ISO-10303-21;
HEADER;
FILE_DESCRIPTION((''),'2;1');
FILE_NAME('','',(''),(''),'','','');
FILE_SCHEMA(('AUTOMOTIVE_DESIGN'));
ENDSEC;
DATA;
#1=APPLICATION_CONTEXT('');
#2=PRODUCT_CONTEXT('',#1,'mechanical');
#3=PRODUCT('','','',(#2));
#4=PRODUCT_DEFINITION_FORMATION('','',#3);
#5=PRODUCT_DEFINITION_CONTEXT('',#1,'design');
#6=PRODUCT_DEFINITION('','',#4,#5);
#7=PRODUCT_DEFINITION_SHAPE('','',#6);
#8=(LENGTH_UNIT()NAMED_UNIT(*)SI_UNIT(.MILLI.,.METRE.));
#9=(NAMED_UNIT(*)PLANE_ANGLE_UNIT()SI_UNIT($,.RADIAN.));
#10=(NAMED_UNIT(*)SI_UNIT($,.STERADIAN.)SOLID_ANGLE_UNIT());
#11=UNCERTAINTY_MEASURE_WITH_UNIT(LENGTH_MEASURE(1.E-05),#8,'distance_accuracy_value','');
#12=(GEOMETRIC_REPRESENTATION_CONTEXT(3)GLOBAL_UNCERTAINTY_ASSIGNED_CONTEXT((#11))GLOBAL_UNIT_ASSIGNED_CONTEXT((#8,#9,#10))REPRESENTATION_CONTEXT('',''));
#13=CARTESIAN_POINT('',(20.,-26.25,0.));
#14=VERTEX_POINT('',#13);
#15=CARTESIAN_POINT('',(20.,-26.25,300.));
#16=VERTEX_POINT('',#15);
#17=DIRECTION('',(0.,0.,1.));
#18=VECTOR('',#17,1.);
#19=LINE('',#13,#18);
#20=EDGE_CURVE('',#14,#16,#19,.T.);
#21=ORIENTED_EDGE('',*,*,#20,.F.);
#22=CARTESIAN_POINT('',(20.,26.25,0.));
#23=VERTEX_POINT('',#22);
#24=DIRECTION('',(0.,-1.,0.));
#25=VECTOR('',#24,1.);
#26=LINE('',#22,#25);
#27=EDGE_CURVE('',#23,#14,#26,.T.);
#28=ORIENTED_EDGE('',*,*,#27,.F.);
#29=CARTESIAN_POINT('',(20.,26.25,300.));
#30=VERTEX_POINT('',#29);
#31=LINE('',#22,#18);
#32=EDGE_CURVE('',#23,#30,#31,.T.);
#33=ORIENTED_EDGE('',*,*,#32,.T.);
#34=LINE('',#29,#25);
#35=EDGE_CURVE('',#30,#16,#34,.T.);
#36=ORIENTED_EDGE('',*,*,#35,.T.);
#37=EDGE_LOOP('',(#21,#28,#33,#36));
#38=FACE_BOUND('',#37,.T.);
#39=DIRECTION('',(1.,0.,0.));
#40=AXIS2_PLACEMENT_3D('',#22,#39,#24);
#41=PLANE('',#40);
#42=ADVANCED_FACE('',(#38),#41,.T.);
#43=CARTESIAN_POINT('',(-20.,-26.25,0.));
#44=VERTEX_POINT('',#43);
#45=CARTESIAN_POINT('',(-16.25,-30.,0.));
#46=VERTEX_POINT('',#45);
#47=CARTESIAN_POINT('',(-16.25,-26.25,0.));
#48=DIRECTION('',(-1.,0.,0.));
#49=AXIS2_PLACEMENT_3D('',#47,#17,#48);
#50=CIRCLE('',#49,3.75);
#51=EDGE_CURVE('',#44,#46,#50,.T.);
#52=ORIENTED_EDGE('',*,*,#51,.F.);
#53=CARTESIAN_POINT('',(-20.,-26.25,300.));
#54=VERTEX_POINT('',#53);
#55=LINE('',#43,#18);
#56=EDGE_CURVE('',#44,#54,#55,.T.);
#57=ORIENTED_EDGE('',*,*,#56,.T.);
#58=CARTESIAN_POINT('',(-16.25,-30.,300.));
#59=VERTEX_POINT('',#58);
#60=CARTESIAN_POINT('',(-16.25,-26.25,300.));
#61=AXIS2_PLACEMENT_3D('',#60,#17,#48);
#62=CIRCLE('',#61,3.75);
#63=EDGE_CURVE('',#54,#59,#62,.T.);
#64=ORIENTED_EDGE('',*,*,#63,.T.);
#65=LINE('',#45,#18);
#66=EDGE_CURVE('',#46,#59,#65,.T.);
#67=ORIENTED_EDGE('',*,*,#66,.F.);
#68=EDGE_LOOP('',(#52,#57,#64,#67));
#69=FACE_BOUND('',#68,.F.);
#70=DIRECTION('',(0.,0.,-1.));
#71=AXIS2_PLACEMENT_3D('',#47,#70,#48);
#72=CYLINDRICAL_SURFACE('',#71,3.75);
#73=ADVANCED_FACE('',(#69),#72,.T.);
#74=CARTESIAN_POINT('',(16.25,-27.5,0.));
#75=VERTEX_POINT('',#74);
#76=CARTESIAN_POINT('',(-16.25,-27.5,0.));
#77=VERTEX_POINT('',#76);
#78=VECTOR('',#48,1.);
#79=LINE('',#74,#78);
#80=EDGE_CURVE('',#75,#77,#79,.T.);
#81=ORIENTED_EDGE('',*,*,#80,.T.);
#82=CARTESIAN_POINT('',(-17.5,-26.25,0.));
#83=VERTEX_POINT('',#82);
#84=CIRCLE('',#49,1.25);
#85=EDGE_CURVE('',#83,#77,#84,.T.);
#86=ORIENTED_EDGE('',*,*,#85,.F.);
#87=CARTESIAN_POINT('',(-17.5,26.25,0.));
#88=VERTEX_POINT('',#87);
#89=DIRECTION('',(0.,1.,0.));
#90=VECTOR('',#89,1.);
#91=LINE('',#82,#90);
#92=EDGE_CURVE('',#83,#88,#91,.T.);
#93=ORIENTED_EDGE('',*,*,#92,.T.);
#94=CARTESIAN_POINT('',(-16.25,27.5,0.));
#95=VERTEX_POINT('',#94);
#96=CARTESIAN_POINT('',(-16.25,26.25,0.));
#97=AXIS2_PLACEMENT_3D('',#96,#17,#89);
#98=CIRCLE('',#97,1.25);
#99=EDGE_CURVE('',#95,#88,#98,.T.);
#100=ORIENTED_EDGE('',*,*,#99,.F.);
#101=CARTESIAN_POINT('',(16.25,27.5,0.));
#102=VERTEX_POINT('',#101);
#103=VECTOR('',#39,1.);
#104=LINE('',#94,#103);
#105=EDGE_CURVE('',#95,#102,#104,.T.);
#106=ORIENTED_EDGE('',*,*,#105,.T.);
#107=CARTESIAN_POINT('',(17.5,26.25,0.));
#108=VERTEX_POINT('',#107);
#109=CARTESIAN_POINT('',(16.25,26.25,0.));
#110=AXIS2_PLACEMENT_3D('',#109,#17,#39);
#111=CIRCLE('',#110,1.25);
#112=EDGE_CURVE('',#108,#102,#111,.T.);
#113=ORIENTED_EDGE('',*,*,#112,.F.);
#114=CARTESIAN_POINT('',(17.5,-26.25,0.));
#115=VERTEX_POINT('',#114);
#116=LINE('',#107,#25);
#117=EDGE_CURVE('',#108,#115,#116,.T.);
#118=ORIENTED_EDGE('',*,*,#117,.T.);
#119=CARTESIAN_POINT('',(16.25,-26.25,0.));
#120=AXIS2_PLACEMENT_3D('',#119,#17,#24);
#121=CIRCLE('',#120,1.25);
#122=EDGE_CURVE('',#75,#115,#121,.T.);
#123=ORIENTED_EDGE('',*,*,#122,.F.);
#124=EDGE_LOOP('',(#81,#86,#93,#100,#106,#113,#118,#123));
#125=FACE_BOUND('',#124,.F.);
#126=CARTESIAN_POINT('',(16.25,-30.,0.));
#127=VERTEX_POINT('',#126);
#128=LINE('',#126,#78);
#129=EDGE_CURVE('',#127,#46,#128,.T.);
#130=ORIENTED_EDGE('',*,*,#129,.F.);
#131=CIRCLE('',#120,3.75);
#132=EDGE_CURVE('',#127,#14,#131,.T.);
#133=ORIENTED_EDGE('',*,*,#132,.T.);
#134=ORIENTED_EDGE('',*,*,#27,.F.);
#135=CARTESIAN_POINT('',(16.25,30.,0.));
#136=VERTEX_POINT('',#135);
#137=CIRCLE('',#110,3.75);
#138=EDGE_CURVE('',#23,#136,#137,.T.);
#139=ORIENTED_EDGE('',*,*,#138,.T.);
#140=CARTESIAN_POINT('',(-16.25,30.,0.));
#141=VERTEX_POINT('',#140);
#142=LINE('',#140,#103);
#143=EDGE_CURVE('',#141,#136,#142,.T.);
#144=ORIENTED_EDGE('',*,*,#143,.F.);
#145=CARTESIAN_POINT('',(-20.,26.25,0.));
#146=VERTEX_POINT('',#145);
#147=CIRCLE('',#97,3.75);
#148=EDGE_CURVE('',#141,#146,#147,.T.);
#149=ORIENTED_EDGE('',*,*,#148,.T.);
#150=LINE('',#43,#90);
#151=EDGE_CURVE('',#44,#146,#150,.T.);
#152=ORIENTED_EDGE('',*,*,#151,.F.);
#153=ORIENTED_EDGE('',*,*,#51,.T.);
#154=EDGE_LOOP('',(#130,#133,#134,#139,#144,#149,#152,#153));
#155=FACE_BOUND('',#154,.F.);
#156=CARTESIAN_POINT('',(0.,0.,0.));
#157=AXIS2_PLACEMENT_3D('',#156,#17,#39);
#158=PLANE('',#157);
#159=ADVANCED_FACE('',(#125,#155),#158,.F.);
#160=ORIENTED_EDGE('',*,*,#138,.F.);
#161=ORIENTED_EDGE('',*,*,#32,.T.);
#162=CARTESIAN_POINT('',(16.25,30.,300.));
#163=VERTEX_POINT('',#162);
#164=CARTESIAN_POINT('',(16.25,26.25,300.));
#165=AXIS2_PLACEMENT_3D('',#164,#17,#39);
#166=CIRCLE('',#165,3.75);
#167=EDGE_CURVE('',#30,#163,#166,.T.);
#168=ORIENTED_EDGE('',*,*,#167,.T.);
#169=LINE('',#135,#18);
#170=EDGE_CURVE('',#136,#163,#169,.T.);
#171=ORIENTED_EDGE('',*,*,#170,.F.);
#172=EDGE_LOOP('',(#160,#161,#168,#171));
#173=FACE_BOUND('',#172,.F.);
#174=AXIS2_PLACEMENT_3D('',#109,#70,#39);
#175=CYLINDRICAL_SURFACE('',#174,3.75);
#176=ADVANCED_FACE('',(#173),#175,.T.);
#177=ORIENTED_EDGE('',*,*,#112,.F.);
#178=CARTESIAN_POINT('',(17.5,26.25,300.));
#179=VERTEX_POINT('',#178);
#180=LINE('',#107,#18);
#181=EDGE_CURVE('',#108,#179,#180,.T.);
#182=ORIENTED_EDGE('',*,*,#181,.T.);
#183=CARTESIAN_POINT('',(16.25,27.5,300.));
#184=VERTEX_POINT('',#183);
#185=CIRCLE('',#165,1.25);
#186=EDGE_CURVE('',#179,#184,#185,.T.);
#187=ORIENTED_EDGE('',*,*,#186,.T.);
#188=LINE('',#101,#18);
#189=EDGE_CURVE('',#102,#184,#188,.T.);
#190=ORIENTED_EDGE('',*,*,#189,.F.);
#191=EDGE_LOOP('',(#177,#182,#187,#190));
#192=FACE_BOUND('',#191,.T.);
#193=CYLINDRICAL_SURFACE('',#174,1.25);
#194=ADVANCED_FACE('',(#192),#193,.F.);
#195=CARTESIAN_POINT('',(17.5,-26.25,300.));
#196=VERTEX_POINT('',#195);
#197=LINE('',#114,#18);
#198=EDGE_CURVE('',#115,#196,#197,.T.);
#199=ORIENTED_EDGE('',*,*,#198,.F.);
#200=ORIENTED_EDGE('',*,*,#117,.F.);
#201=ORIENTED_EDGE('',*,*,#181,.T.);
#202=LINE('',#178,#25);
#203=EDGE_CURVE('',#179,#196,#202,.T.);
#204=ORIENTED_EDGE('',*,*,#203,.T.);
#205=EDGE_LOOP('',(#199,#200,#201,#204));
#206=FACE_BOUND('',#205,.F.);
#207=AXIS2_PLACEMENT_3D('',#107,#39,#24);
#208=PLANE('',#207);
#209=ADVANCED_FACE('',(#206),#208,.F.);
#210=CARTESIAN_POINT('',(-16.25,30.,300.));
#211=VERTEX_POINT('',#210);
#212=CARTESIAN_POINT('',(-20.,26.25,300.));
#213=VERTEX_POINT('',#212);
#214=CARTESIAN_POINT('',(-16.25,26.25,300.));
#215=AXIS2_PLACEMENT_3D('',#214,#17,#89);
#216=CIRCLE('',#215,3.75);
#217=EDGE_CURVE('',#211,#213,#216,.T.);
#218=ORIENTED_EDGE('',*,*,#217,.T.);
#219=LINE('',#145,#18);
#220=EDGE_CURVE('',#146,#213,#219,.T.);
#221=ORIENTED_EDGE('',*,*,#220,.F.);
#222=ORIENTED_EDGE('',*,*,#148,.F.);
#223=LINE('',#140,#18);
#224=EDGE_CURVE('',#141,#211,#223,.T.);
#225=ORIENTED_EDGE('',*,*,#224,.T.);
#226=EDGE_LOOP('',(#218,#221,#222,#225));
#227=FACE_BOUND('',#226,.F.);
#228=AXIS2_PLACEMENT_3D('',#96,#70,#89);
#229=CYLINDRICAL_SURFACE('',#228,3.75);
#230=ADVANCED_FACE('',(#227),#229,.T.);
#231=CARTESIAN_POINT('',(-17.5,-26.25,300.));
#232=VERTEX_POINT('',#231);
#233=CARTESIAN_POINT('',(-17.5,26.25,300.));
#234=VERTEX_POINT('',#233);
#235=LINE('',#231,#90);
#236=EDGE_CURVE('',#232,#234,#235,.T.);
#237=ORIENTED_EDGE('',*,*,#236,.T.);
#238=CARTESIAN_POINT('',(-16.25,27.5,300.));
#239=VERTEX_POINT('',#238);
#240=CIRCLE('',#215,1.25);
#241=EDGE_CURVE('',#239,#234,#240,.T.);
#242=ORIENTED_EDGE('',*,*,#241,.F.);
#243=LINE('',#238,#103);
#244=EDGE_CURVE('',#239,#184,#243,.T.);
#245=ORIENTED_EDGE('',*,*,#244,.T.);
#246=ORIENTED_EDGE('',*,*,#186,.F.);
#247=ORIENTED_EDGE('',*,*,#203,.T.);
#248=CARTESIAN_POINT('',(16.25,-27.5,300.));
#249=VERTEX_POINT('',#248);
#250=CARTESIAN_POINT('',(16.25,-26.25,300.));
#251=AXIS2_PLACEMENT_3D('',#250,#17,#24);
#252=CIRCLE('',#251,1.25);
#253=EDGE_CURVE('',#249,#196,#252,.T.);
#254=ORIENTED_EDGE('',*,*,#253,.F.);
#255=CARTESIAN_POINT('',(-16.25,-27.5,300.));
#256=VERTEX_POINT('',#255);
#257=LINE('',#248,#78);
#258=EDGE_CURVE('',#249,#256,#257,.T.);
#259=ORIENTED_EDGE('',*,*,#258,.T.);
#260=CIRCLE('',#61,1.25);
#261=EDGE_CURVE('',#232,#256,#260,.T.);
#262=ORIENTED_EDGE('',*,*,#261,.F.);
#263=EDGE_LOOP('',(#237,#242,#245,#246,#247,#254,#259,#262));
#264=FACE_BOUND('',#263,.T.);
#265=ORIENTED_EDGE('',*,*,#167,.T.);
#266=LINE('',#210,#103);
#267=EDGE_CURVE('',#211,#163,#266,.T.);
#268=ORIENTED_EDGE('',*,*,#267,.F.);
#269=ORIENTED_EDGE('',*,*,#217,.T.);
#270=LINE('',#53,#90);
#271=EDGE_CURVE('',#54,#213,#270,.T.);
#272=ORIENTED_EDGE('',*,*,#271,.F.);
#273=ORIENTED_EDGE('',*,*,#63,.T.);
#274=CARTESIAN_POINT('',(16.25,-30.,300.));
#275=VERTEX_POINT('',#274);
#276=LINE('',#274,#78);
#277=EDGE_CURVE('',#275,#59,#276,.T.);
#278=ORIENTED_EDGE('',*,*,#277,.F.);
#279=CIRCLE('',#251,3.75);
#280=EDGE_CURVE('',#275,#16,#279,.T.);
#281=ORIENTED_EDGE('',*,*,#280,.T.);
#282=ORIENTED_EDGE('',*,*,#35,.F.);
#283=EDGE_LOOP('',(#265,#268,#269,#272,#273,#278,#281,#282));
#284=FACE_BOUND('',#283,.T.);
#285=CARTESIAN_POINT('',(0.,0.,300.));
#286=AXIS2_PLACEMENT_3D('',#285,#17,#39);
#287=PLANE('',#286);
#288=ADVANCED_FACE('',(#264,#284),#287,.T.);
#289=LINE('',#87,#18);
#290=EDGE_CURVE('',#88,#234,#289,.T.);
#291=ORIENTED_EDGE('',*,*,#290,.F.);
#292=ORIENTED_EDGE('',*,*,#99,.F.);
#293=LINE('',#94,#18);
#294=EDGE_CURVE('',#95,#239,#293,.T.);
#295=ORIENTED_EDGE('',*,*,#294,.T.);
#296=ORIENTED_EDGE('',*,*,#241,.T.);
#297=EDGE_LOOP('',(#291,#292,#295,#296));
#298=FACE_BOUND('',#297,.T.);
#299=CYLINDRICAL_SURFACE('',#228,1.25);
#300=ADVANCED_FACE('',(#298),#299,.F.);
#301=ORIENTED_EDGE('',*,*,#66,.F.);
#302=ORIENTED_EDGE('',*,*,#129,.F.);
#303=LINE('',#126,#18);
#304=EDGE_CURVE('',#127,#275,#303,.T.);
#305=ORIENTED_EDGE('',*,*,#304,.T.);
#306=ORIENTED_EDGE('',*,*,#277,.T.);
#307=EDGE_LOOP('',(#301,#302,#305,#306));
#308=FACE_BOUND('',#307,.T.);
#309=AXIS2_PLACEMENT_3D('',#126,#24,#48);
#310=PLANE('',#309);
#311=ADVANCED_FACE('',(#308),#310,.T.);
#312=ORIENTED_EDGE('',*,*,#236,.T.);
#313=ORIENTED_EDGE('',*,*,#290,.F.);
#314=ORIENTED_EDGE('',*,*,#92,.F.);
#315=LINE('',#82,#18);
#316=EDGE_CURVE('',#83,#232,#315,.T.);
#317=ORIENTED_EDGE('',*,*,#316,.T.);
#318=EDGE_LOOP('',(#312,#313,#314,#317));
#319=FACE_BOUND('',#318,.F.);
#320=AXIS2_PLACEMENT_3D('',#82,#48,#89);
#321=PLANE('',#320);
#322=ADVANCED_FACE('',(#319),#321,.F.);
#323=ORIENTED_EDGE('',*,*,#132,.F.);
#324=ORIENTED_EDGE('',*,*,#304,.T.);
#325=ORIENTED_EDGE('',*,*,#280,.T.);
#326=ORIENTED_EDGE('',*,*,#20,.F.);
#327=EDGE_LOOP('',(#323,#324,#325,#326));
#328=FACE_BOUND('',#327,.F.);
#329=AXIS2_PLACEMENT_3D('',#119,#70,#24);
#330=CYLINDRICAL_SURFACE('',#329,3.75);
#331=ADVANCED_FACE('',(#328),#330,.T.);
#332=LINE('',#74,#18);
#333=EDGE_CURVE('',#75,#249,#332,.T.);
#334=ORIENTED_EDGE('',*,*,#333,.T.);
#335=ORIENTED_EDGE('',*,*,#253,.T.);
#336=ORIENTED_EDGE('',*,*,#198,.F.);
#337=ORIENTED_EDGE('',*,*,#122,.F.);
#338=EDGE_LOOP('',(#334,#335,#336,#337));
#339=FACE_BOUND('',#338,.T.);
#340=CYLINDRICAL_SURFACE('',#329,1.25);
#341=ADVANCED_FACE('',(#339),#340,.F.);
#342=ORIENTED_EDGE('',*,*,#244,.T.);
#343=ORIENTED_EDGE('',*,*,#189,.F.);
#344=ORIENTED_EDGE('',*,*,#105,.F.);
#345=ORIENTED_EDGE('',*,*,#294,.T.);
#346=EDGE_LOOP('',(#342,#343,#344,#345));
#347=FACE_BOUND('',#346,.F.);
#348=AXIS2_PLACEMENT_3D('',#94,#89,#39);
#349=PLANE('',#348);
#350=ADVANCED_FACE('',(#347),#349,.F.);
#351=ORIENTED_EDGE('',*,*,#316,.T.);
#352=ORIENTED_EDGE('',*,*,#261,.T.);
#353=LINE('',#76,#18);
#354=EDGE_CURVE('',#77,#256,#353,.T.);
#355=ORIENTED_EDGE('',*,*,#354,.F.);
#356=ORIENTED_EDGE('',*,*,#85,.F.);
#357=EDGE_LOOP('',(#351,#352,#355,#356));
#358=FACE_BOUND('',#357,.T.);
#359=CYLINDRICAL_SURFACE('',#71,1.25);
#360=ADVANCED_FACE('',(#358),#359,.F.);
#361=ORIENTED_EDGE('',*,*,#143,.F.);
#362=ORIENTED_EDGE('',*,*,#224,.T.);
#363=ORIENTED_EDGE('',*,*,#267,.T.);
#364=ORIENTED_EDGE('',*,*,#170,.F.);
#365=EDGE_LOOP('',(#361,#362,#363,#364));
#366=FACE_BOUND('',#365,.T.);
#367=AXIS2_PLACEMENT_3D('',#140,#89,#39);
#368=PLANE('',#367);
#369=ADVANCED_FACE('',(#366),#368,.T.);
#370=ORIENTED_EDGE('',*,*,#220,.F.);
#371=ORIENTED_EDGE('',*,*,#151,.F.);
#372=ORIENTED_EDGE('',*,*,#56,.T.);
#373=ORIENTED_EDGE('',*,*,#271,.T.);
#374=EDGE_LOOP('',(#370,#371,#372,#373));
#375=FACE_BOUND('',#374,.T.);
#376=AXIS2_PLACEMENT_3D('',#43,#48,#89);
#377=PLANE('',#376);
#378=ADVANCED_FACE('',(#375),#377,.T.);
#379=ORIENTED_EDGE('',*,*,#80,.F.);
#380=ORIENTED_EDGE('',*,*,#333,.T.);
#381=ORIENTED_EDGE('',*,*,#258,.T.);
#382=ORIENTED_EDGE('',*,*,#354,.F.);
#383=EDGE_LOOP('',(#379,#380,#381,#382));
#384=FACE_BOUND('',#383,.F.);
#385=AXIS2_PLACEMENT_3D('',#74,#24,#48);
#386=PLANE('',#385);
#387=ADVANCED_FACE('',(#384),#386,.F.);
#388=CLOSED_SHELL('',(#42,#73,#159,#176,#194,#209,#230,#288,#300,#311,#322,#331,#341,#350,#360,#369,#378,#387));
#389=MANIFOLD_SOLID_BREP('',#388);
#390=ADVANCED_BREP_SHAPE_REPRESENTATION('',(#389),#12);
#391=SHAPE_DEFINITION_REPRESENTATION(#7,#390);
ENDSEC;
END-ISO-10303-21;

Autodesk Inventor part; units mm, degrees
ref_plane "YZ Plane" through (0, 0, 0) normal (1, 0, 0) x (0, 1, 0)
ref_plane "Start Plane" through (0, 0, 0) normal (0, 0, 1) x (1, 0, 0)
ref_plane "End Plane" through (0, 0, 300) normal (0, 0, 1) x (1, 0, 0)
sketch "Sketch" plane through (0, 0, 0) normal (0, 0, 1) x (1, 0, 0)
  line L0 (-20, -26.25) -> (-20, 26.25)
  line L1 (-16.25, 30) -> (16.25, 30)
  line L2 (20, 26.25) -> (20, -26.25)
  line L3 (16.25, -30) -> (-16.25, -30)
  arc A0 (-20, -26.25) -> (-16.25, -30) centre (-16.25, -26.25) ccw
  arc A1 (-16.25, 30) -> (-20, 26.25) centre (-16.25, 26.25) ccw
  arc A2 (20, 26.25) -> (16.25, 30) centre (16.25, 26.25) ccw
  arc A3 (16.25, -30) -> (20, -26.25) centre (16.25, -26.25) ccw
  arc A4 (-16.25, 27.5) -> (-17.5, 26.25) centre (-16.25, 26.25) ccw
  line L4 (-16.25, 27.5) -> (16.25, 27.5)
  arc A5 (17.5, 26.25) -> (16.25, 27.5) centre (16.25, 26.25) ccw
  line L5 (17.5, 26.25) -> (17.5, -26.25)
  arc A6 (16.25, -27.5) -> (17.5, -26.25) centre (16.25, -26.25) ccw
  line L6 (16.25, -27.5) -> (-16.25, -27.5)
  arc A7 (-17.5, -26.25) -> (-16.25, -27.5) centre (-16.25, -26.25) ccw
  line L7 (-17.5, -26.25) -> (-17.5, 26.25)
  line L8 (0, 43.0873) -> (0, -43.0873) construction
  line L9 (-29.0873, 0) -> (29.0873, 0) construction
  dimension "d7" = 3.75
  dimension "d10" = 60
  dimension "d11" = 40
  dimension "d12" = 2.5
  dimension "d15" = 30
  dimension "d16" = 20
extrude "Body" add sketch "Sketch" along normal up to surface (300 mm away) from surface at 0
sketch "Sketch3" plane through (0, 0, 0) normal (0, 0, 1) x (1, 0, 0)
  line L0 (0, 0) -> (10, 0)
ref_plane "Work Plane3" through (0, 0, 0) normal (0, -1, 0) x (1, 0, 0)
sketch "Sketch4" plane through (0, 0, 0) normal (0, -1, 0) x (1, 0, 0)
  line L0 (-2, 0) -> (12, 0) projected
  line L1 (-2, 300) -> (12, 300) projected
  dimension "d18" = 300
equation "\"d7\" = G_IR"
equation "\"d10\" = G_H"
equation "\"d11\" = G_W"
equation "\"d12\" = G_T"
equation "\"d15\" = 0.5 * d10"
equation "\"d16\" = 0.5 * d11"
equation "\"d3\" = G_L"
equation "\"G_W\" = 40"
equation "\"G_H\" = 60"
equation "\"G_T\" = 2.5"
equation "\"G_IR\" = 3.75"
equation "\"G_L\" = d18"
equation "\"G_OFFSET_START\" = 0"
equation "\"G_OFFSET_END\" = 0"
properties part number "ISO 12633-2 - 60x40x2.5 - 300" material "Steel, Mild"
